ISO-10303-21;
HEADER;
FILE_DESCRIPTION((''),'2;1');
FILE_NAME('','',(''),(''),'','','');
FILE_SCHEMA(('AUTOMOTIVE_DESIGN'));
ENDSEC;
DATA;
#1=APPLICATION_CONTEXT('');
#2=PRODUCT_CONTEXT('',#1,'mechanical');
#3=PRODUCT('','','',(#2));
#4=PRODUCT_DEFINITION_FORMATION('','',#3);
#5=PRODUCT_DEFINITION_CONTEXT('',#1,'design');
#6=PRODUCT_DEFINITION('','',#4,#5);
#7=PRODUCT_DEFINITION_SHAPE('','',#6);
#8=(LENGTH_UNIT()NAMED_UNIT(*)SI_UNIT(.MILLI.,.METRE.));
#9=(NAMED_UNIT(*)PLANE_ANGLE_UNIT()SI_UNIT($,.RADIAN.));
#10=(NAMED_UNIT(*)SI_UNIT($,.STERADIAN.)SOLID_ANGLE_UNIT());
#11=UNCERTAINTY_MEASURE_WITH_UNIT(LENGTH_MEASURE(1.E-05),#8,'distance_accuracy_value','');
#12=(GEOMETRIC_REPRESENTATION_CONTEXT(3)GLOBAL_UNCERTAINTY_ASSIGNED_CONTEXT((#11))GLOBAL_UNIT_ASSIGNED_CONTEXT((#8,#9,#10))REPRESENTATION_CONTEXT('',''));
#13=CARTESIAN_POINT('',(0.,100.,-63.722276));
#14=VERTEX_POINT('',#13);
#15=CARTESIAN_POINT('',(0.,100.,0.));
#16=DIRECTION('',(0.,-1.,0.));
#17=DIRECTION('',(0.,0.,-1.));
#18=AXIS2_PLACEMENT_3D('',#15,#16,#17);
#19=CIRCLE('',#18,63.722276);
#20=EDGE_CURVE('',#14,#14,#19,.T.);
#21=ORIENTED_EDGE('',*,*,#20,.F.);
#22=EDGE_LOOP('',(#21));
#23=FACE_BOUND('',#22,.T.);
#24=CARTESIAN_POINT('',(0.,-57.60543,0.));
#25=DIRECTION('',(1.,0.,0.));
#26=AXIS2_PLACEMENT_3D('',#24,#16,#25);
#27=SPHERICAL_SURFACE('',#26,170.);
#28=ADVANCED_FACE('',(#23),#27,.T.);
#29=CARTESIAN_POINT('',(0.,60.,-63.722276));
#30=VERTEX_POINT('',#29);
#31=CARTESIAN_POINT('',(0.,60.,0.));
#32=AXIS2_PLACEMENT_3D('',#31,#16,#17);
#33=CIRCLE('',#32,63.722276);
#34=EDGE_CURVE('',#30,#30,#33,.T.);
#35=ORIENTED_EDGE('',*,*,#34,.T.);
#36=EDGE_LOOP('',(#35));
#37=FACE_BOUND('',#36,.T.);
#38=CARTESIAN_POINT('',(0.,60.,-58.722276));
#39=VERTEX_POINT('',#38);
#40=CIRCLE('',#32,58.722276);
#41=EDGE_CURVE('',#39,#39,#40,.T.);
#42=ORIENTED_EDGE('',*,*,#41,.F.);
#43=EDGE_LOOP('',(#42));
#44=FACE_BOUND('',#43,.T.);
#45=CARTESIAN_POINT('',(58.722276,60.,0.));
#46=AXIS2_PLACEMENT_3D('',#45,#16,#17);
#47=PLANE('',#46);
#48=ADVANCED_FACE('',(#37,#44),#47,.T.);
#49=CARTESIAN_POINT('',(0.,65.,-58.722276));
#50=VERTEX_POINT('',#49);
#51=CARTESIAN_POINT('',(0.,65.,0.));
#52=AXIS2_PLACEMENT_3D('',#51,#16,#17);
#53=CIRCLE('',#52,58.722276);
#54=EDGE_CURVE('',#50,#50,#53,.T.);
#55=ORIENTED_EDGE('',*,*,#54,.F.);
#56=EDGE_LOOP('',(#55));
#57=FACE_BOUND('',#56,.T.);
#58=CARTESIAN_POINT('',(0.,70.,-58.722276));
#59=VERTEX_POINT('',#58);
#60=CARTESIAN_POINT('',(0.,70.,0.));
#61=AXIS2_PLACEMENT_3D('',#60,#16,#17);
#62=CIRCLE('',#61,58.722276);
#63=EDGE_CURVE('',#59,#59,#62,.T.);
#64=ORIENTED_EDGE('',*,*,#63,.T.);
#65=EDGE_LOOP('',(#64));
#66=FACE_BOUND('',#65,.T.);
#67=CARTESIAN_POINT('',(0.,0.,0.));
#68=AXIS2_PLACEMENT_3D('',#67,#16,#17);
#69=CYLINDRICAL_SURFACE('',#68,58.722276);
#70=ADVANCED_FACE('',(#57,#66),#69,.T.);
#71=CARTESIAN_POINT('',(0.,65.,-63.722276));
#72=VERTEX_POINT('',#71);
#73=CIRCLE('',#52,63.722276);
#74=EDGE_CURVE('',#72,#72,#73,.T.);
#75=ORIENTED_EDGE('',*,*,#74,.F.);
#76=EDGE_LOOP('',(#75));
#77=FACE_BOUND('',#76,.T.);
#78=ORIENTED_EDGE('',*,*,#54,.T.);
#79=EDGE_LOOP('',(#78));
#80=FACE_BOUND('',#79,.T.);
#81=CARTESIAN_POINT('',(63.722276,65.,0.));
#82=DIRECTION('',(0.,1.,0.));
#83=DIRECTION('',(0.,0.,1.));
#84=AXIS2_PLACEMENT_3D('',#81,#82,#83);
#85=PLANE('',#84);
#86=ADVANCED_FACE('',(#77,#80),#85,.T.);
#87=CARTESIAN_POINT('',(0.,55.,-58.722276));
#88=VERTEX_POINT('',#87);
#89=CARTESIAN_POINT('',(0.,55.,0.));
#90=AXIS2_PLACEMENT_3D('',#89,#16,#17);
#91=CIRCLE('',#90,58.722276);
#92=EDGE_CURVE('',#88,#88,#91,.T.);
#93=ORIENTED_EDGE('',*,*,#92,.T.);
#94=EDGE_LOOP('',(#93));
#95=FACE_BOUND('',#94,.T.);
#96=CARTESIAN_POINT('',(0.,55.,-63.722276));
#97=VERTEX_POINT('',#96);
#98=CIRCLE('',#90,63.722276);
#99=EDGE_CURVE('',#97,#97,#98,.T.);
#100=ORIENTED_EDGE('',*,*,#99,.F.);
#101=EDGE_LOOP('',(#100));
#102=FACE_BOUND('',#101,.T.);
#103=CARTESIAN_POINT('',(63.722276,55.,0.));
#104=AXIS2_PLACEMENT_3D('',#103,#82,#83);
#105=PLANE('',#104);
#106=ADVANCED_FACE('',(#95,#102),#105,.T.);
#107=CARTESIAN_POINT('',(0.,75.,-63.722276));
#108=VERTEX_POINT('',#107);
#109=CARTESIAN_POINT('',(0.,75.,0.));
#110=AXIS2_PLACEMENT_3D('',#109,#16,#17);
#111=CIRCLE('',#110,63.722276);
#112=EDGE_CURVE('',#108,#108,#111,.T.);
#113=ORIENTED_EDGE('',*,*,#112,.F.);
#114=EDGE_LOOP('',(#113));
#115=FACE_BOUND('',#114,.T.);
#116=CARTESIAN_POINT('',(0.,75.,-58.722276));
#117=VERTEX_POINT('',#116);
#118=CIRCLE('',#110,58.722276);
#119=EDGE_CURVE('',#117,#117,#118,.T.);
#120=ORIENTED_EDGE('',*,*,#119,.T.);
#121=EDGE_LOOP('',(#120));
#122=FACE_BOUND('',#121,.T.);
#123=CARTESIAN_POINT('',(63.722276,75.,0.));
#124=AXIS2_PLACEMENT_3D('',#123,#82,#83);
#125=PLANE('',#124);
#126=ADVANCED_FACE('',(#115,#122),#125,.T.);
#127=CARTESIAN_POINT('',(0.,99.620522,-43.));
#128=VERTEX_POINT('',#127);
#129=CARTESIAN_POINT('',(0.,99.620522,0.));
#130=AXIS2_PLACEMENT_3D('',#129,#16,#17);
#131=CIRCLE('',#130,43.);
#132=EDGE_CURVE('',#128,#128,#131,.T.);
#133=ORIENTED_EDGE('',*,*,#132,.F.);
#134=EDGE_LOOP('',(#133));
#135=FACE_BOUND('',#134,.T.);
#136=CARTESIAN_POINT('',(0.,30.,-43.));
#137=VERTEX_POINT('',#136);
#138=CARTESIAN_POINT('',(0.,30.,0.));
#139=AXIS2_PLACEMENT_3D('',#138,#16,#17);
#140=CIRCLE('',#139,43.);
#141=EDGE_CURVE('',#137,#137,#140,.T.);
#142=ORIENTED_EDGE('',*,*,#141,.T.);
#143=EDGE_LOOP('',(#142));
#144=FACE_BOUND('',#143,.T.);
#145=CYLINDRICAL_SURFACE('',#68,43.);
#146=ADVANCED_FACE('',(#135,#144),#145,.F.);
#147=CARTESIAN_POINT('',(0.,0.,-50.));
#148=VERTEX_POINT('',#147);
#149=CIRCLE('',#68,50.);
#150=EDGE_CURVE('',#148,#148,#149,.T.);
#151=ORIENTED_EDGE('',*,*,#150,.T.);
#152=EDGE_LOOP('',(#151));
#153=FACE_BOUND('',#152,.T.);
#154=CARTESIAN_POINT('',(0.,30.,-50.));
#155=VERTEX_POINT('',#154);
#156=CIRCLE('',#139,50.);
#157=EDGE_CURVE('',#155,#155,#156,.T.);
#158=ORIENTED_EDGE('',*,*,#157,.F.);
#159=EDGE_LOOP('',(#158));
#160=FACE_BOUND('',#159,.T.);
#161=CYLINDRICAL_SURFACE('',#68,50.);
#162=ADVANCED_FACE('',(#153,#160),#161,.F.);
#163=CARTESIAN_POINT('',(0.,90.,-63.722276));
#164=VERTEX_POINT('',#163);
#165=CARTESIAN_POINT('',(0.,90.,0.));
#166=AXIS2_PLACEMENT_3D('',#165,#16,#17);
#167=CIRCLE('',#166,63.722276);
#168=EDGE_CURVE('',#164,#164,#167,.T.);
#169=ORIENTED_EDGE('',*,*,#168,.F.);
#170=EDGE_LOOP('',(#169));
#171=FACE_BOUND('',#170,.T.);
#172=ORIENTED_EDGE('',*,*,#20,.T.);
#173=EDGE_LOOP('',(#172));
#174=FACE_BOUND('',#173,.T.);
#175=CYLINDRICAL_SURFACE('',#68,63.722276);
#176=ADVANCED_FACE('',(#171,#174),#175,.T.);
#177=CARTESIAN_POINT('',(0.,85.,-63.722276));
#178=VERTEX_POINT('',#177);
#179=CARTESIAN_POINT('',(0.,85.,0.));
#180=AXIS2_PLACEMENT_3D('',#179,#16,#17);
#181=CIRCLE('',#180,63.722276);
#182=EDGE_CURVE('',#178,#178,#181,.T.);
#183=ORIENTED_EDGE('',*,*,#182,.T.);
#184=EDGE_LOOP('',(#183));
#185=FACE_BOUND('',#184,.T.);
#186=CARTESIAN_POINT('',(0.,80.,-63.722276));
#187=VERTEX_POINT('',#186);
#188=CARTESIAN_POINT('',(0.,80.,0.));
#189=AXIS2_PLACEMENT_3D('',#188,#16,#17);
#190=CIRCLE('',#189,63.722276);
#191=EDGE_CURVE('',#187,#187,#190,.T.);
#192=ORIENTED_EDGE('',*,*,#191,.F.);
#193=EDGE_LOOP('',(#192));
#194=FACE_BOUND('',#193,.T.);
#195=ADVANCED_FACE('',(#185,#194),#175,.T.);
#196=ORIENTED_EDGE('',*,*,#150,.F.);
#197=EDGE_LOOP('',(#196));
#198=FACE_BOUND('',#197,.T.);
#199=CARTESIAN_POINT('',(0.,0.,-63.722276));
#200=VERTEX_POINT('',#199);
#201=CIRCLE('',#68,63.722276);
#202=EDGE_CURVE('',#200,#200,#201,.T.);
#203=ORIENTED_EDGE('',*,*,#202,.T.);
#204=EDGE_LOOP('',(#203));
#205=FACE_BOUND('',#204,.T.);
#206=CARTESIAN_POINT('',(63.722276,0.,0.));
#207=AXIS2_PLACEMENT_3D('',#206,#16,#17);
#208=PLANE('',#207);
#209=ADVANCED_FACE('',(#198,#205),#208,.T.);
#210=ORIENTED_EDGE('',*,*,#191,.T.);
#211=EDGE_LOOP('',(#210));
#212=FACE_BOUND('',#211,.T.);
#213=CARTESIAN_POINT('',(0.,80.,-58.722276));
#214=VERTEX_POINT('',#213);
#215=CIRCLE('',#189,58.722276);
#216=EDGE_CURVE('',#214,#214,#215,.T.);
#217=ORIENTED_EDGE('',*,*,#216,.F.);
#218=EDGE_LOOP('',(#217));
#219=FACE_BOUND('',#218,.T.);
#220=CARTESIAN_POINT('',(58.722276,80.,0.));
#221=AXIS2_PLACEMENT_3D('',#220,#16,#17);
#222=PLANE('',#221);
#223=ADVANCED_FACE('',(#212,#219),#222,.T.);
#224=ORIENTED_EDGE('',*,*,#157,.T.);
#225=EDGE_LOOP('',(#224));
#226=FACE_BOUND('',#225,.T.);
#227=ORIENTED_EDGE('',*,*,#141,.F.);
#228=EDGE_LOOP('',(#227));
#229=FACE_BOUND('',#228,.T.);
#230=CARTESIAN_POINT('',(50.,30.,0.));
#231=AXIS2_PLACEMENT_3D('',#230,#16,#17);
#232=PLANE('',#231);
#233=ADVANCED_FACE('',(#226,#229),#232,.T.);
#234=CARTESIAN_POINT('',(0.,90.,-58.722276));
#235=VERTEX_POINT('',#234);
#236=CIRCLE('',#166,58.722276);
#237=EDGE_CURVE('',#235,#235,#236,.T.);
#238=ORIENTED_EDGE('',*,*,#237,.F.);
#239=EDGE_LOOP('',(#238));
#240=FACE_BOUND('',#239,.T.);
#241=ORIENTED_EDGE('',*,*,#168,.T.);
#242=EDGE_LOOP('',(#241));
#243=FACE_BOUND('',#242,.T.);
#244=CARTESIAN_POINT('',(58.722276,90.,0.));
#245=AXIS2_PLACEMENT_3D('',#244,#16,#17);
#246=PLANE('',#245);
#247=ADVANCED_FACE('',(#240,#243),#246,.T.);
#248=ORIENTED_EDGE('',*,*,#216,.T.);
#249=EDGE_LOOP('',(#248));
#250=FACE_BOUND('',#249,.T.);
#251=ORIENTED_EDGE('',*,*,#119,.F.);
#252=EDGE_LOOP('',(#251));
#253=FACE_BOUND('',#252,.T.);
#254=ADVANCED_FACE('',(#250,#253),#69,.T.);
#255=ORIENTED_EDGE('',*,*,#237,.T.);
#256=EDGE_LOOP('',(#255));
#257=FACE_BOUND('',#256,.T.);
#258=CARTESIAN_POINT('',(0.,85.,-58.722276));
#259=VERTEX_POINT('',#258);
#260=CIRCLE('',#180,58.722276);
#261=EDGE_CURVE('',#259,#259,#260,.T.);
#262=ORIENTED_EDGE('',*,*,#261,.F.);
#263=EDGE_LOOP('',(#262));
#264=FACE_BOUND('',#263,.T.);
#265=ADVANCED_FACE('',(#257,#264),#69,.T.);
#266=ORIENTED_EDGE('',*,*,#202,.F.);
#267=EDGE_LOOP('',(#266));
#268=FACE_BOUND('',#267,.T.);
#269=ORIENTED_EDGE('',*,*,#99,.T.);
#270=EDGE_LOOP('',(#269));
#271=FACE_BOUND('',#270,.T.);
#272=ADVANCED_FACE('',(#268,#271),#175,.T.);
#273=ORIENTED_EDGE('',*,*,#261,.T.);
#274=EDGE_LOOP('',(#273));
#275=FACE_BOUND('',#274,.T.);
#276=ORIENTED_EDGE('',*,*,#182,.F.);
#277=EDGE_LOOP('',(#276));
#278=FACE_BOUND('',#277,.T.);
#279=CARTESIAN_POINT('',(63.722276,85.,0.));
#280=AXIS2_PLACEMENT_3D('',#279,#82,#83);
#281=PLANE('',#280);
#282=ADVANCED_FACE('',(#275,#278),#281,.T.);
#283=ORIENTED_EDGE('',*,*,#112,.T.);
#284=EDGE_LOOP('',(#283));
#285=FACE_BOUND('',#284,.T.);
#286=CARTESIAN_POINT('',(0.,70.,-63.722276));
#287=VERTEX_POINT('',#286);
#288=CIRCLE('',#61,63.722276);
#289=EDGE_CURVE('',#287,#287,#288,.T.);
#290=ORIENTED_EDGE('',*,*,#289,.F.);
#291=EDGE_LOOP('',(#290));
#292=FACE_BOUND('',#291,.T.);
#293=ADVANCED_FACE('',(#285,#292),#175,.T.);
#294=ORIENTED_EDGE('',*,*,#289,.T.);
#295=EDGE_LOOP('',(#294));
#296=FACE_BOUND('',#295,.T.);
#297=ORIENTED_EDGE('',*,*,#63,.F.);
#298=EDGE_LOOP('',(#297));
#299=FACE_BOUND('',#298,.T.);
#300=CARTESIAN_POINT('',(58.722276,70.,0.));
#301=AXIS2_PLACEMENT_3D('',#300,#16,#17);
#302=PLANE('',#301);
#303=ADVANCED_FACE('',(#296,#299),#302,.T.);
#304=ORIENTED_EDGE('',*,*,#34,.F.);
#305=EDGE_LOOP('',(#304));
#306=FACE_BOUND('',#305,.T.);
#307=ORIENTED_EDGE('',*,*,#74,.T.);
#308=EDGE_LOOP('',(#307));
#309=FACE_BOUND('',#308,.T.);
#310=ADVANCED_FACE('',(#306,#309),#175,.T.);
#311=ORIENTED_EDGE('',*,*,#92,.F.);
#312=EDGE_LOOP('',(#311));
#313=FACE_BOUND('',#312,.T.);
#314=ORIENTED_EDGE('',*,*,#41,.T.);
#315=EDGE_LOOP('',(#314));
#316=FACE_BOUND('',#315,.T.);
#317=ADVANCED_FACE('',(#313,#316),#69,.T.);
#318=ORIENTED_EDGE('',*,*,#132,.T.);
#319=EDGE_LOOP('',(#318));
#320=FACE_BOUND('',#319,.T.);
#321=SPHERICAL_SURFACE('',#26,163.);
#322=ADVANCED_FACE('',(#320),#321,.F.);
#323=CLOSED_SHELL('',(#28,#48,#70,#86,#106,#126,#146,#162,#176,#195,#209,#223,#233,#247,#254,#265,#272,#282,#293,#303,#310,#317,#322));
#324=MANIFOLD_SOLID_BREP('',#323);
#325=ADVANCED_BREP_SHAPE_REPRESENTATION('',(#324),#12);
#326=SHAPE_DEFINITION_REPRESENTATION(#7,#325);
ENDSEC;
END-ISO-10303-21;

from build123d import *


with BuildPart() as part:
    # Sketch1 → Revolve1 (revolve)
    with BuildSketch(Plane.XY, mode=Mode.PRIVATE) as revolve1_sk:
        with BuildLine():
            Line((63.722275674, 0), (63.722275674, 55))
            Line((63.722275674, 55), (58.722275674, 55))
            Line((58.722275674, 55), (58.722275674, 60))
            Line((58.722275674, 60), (63.722275674, 60))
            Line((63.722275674, 60), (63.722275674, 65))
            Line((63.722275674, 65), (58.722275674, 65))
            Line((58.722275674, 65), (58.722275674, 70))
            Line((58.722275674, 70), (63.722275674, 70))
            Line((63.722275674, 70), (63.722275674, 75))
            Line((63.722275674, 75), (58.722275674, 75))
            Line((58.722275674, 75), (58.722275674, 80))
            Line((58.722275674, 80), (63.722275674, 80))
            Line((63.722275674, 80), (63.722275674, 85))
            Line((63.722275674, 85), (58.722275674, 85))
            Line((58.722275674, 85), (58.722275674, 90))
            Line((58.722275674, 90), (63.722275674, 90))
            Line((63.722275674, 90), (63.722275674, 100))
            ThreePointArc((63.722275674, 100), (32.458256966, 109.267160728), (0, 112.394569945))
            Line((0, 112.394569945), (0, 105.394569945))
            ThreePointArc((0, 105.394569945), (21.692969078, 103.944608919), (43, 99.620522001))
            Line((43, 99.620522001), (43, 30))
            Line((43, 30), (50, 30))
            Line((50, 30), (50, 0))
            Line((50, 0), (63.722275674, 0))
        make_face()
    revolve(revolve1_sk.sketch.rotate(Axis((0, 0, 0), (0, 1, 0)), 90), axis=Axis((0, 0, 0), (0, 1, 0)))


solid = part.part
